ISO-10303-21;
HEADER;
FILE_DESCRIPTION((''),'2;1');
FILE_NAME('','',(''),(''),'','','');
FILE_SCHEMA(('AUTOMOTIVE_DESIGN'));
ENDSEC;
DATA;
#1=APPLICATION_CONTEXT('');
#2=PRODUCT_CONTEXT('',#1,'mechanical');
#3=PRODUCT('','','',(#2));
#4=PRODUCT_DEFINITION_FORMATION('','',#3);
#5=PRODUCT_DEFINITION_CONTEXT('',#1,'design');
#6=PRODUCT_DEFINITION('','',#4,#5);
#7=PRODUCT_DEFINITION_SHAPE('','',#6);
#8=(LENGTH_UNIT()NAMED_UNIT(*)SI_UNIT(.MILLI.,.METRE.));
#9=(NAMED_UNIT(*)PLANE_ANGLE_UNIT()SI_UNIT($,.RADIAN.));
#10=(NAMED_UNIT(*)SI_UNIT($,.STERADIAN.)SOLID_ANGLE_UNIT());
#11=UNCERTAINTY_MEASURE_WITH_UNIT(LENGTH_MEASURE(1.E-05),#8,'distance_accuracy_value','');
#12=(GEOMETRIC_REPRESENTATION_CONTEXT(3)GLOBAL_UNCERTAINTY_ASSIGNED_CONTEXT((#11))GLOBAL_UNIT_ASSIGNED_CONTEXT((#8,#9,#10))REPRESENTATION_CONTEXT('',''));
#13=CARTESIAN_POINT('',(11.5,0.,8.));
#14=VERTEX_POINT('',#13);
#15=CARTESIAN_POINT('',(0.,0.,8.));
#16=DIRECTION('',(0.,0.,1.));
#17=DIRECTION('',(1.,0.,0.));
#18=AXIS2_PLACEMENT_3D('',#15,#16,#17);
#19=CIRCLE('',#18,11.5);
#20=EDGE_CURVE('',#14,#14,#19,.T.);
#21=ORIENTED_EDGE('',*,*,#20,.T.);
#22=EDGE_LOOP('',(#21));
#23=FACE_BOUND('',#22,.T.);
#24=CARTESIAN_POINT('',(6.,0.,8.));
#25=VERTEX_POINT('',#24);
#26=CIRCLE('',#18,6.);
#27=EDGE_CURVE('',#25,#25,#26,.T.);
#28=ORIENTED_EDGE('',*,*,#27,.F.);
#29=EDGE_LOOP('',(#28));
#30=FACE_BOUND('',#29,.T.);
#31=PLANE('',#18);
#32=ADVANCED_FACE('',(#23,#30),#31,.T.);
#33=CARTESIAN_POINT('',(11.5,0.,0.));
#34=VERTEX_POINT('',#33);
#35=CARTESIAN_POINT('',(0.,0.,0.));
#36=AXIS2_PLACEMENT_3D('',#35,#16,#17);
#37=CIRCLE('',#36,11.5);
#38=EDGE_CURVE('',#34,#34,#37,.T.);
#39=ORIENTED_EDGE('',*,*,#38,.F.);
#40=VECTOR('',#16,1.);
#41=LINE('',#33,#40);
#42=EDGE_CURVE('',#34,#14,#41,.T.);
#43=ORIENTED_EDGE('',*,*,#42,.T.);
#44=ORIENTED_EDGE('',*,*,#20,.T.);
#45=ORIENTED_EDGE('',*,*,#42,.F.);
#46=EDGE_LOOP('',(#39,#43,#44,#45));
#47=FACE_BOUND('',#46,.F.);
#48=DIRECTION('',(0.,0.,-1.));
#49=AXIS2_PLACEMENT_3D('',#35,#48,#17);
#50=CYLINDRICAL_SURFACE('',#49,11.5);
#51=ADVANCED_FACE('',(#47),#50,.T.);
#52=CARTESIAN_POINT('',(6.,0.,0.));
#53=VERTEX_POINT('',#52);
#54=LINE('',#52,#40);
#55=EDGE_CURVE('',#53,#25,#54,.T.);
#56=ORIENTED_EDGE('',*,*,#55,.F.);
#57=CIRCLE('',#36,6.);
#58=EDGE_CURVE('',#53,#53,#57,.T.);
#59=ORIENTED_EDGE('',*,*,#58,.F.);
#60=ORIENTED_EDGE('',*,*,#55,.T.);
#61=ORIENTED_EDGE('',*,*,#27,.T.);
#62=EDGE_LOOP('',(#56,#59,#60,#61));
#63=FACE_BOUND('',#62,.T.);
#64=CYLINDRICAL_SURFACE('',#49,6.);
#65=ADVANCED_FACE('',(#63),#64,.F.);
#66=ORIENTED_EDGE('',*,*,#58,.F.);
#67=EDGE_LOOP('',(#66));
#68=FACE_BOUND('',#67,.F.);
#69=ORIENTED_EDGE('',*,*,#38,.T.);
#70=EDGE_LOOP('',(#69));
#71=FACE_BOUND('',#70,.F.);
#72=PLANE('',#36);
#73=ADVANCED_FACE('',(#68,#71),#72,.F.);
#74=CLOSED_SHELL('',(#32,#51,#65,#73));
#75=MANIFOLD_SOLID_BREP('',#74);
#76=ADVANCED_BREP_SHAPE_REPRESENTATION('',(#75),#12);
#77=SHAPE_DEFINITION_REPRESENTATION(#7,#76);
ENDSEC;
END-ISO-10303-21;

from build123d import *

# Parameters (mm, degrees)
F0_R     = 11.5
F0_R_2   = 6
F1_DEPTH = 8


with BuildPart() as f1:
    # F0 (on Top) → F1 (new body)
    with BuildSketch(Plane.XY):
        Circle(F0_R)
        Circle(F0_R_2, mode=Mode.SUBTRACT)
    extrude(amount=F1_DEPTH)


solid = f1.part
